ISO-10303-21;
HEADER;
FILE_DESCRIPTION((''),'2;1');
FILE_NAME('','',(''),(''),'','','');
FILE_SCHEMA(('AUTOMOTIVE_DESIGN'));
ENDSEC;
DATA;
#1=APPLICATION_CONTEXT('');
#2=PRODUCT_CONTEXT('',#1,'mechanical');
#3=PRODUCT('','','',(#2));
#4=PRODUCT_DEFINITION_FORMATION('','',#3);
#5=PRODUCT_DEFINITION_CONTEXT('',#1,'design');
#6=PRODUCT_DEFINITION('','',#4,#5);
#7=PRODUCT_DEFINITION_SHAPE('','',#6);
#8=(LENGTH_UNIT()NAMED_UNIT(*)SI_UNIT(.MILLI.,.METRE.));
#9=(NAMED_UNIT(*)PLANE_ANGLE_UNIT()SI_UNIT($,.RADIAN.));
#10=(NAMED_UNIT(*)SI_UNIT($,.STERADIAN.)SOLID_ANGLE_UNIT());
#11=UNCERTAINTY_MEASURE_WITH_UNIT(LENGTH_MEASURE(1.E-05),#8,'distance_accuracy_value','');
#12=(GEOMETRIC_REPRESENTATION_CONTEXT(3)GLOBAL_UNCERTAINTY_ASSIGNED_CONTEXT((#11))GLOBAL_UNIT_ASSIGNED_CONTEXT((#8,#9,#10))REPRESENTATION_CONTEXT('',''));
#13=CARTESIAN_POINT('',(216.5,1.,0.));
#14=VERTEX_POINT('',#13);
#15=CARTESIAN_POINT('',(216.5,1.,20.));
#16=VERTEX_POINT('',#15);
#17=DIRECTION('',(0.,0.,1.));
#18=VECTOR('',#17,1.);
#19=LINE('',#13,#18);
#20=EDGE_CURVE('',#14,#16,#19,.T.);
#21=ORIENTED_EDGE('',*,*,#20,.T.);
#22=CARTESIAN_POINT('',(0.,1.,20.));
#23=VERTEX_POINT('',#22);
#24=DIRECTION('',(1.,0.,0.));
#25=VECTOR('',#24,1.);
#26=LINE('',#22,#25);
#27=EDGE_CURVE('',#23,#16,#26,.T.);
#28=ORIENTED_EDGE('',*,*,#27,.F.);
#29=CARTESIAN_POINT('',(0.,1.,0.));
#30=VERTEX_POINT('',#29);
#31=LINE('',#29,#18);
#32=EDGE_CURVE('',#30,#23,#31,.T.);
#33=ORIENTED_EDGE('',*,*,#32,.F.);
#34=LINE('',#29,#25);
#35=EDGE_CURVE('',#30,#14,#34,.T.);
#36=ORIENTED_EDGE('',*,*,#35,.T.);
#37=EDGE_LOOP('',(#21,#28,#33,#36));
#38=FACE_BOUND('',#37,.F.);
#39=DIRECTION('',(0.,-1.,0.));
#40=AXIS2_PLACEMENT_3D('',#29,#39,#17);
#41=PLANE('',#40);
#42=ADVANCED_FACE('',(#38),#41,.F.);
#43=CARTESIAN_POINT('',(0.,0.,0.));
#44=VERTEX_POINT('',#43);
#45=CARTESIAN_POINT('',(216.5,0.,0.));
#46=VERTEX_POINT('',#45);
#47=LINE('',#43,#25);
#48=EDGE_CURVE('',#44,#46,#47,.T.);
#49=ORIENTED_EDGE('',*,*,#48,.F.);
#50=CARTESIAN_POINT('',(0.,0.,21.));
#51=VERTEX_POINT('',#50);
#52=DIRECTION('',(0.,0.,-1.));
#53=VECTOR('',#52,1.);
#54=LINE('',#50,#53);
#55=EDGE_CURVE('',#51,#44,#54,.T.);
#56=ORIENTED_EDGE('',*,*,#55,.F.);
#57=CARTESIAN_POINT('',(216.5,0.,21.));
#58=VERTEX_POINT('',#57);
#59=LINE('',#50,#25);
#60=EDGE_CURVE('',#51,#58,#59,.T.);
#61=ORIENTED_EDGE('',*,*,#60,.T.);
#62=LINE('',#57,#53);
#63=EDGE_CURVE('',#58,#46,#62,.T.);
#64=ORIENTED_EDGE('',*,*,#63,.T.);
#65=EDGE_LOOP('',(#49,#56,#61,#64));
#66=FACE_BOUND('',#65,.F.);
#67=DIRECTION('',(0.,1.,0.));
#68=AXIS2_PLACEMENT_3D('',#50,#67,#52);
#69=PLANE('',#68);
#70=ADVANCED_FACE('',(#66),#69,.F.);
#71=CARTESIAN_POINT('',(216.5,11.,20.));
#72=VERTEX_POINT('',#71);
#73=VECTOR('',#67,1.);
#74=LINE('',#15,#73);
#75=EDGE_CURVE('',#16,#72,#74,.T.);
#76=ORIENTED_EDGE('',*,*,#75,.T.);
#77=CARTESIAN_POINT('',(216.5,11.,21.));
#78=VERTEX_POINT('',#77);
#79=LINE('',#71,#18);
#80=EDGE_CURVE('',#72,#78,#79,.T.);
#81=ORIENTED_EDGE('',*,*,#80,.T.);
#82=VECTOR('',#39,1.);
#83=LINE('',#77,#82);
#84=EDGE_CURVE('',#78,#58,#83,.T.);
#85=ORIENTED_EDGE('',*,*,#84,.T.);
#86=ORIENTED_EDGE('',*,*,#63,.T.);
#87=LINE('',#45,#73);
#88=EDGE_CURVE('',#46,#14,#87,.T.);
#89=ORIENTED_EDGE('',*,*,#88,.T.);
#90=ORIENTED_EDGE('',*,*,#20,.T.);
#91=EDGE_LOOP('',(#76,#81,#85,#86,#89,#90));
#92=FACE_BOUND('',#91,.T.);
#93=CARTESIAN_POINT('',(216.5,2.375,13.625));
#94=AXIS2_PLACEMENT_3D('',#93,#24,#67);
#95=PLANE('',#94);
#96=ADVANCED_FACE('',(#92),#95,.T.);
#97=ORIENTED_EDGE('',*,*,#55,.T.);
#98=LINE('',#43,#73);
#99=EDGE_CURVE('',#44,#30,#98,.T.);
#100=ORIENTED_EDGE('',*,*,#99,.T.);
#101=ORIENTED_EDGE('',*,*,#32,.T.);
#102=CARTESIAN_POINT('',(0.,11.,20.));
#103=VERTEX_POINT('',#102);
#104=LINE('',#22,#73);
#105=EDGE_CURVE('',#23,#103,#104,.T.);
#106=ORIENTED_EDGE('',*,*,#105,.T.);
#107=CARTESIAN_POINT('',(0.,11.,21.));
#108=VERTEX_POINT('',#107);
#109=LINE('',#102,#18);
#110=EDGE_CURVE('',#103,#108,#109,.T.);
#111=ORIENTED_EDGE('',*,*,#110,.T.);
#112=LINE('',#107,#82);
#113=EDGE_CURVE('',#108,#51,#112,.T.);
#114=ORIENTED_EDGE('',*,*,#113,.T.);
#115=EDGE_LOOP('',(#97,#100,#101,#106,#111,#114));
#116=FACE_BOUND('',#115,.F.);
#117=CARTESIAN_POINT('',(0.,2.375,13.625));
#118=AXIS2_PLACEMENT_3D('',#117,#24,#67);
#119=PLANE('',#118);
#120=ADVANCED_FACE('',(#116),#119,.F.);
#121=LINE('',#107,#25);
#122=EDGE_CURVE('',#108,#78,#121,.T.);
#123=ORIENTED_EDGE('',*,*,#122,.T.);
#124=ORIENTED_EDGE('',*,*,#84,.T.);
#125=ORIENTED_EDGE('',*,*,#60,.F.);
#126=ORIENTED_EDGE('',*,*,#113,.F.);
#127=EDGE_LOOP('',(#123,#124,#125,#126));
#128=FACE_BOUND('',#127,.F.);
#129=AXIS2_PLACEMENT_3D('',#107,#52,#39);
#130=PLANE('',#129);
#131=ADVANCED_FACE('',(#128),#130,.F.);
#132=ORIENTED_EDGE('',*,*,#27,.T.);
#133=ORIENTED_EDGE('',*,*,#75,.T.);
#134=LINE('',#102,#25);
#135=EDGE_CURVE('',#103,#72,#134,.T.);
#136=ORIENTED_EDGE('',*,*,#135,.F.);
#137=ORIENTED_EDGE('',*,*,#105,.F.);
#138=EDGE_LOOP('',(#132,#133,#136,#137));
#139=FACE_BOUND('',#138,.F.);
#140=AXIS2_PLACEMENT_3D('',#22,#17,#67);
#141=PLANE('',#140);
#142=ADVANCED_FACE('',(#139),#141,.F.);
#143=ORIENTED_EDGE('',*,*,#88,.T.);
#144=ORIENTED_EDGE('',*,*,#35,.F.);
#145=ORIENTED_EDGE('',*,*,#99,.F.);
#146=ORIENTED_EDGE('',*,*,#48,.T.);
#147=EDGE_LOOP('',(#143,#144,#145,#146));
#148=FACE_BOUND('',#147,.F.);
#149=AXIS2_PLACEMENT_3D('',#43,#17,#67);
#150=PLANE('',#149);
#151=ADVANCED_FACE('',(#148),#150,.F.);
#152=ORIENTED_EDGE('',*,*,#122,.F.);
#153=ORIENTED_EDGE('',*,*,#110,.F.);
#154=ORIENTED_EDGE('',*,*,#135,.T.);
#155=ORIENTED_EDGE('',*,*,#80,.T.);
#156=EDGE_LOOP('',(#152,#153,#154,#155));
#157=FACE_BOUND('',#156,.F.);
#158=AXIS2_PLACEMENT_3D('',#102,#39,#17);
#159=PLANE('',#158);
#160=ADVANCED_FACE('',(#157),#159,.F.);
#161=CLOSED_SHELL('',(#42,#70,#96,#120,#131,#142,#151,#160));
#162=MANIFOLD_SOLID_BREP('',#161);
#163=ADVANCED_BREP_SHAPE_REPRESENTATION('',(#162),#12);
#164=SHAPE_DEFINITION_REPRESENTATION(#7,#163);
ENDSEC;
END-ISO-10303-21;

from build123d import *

# Parameters (mm, degrees)
PAD_DEPTH = 216.5


with BuildPart() as part:
    # Sketch → Pad (new body)
    with BuildSketch(Plane.YZ):
        Polygon((1, 20), (11, 20), (11, 21), (0, 21), (0, 0), (1, 0), align=None)
    extrude(amount=PAD_DEPTH)


solid = part.part
